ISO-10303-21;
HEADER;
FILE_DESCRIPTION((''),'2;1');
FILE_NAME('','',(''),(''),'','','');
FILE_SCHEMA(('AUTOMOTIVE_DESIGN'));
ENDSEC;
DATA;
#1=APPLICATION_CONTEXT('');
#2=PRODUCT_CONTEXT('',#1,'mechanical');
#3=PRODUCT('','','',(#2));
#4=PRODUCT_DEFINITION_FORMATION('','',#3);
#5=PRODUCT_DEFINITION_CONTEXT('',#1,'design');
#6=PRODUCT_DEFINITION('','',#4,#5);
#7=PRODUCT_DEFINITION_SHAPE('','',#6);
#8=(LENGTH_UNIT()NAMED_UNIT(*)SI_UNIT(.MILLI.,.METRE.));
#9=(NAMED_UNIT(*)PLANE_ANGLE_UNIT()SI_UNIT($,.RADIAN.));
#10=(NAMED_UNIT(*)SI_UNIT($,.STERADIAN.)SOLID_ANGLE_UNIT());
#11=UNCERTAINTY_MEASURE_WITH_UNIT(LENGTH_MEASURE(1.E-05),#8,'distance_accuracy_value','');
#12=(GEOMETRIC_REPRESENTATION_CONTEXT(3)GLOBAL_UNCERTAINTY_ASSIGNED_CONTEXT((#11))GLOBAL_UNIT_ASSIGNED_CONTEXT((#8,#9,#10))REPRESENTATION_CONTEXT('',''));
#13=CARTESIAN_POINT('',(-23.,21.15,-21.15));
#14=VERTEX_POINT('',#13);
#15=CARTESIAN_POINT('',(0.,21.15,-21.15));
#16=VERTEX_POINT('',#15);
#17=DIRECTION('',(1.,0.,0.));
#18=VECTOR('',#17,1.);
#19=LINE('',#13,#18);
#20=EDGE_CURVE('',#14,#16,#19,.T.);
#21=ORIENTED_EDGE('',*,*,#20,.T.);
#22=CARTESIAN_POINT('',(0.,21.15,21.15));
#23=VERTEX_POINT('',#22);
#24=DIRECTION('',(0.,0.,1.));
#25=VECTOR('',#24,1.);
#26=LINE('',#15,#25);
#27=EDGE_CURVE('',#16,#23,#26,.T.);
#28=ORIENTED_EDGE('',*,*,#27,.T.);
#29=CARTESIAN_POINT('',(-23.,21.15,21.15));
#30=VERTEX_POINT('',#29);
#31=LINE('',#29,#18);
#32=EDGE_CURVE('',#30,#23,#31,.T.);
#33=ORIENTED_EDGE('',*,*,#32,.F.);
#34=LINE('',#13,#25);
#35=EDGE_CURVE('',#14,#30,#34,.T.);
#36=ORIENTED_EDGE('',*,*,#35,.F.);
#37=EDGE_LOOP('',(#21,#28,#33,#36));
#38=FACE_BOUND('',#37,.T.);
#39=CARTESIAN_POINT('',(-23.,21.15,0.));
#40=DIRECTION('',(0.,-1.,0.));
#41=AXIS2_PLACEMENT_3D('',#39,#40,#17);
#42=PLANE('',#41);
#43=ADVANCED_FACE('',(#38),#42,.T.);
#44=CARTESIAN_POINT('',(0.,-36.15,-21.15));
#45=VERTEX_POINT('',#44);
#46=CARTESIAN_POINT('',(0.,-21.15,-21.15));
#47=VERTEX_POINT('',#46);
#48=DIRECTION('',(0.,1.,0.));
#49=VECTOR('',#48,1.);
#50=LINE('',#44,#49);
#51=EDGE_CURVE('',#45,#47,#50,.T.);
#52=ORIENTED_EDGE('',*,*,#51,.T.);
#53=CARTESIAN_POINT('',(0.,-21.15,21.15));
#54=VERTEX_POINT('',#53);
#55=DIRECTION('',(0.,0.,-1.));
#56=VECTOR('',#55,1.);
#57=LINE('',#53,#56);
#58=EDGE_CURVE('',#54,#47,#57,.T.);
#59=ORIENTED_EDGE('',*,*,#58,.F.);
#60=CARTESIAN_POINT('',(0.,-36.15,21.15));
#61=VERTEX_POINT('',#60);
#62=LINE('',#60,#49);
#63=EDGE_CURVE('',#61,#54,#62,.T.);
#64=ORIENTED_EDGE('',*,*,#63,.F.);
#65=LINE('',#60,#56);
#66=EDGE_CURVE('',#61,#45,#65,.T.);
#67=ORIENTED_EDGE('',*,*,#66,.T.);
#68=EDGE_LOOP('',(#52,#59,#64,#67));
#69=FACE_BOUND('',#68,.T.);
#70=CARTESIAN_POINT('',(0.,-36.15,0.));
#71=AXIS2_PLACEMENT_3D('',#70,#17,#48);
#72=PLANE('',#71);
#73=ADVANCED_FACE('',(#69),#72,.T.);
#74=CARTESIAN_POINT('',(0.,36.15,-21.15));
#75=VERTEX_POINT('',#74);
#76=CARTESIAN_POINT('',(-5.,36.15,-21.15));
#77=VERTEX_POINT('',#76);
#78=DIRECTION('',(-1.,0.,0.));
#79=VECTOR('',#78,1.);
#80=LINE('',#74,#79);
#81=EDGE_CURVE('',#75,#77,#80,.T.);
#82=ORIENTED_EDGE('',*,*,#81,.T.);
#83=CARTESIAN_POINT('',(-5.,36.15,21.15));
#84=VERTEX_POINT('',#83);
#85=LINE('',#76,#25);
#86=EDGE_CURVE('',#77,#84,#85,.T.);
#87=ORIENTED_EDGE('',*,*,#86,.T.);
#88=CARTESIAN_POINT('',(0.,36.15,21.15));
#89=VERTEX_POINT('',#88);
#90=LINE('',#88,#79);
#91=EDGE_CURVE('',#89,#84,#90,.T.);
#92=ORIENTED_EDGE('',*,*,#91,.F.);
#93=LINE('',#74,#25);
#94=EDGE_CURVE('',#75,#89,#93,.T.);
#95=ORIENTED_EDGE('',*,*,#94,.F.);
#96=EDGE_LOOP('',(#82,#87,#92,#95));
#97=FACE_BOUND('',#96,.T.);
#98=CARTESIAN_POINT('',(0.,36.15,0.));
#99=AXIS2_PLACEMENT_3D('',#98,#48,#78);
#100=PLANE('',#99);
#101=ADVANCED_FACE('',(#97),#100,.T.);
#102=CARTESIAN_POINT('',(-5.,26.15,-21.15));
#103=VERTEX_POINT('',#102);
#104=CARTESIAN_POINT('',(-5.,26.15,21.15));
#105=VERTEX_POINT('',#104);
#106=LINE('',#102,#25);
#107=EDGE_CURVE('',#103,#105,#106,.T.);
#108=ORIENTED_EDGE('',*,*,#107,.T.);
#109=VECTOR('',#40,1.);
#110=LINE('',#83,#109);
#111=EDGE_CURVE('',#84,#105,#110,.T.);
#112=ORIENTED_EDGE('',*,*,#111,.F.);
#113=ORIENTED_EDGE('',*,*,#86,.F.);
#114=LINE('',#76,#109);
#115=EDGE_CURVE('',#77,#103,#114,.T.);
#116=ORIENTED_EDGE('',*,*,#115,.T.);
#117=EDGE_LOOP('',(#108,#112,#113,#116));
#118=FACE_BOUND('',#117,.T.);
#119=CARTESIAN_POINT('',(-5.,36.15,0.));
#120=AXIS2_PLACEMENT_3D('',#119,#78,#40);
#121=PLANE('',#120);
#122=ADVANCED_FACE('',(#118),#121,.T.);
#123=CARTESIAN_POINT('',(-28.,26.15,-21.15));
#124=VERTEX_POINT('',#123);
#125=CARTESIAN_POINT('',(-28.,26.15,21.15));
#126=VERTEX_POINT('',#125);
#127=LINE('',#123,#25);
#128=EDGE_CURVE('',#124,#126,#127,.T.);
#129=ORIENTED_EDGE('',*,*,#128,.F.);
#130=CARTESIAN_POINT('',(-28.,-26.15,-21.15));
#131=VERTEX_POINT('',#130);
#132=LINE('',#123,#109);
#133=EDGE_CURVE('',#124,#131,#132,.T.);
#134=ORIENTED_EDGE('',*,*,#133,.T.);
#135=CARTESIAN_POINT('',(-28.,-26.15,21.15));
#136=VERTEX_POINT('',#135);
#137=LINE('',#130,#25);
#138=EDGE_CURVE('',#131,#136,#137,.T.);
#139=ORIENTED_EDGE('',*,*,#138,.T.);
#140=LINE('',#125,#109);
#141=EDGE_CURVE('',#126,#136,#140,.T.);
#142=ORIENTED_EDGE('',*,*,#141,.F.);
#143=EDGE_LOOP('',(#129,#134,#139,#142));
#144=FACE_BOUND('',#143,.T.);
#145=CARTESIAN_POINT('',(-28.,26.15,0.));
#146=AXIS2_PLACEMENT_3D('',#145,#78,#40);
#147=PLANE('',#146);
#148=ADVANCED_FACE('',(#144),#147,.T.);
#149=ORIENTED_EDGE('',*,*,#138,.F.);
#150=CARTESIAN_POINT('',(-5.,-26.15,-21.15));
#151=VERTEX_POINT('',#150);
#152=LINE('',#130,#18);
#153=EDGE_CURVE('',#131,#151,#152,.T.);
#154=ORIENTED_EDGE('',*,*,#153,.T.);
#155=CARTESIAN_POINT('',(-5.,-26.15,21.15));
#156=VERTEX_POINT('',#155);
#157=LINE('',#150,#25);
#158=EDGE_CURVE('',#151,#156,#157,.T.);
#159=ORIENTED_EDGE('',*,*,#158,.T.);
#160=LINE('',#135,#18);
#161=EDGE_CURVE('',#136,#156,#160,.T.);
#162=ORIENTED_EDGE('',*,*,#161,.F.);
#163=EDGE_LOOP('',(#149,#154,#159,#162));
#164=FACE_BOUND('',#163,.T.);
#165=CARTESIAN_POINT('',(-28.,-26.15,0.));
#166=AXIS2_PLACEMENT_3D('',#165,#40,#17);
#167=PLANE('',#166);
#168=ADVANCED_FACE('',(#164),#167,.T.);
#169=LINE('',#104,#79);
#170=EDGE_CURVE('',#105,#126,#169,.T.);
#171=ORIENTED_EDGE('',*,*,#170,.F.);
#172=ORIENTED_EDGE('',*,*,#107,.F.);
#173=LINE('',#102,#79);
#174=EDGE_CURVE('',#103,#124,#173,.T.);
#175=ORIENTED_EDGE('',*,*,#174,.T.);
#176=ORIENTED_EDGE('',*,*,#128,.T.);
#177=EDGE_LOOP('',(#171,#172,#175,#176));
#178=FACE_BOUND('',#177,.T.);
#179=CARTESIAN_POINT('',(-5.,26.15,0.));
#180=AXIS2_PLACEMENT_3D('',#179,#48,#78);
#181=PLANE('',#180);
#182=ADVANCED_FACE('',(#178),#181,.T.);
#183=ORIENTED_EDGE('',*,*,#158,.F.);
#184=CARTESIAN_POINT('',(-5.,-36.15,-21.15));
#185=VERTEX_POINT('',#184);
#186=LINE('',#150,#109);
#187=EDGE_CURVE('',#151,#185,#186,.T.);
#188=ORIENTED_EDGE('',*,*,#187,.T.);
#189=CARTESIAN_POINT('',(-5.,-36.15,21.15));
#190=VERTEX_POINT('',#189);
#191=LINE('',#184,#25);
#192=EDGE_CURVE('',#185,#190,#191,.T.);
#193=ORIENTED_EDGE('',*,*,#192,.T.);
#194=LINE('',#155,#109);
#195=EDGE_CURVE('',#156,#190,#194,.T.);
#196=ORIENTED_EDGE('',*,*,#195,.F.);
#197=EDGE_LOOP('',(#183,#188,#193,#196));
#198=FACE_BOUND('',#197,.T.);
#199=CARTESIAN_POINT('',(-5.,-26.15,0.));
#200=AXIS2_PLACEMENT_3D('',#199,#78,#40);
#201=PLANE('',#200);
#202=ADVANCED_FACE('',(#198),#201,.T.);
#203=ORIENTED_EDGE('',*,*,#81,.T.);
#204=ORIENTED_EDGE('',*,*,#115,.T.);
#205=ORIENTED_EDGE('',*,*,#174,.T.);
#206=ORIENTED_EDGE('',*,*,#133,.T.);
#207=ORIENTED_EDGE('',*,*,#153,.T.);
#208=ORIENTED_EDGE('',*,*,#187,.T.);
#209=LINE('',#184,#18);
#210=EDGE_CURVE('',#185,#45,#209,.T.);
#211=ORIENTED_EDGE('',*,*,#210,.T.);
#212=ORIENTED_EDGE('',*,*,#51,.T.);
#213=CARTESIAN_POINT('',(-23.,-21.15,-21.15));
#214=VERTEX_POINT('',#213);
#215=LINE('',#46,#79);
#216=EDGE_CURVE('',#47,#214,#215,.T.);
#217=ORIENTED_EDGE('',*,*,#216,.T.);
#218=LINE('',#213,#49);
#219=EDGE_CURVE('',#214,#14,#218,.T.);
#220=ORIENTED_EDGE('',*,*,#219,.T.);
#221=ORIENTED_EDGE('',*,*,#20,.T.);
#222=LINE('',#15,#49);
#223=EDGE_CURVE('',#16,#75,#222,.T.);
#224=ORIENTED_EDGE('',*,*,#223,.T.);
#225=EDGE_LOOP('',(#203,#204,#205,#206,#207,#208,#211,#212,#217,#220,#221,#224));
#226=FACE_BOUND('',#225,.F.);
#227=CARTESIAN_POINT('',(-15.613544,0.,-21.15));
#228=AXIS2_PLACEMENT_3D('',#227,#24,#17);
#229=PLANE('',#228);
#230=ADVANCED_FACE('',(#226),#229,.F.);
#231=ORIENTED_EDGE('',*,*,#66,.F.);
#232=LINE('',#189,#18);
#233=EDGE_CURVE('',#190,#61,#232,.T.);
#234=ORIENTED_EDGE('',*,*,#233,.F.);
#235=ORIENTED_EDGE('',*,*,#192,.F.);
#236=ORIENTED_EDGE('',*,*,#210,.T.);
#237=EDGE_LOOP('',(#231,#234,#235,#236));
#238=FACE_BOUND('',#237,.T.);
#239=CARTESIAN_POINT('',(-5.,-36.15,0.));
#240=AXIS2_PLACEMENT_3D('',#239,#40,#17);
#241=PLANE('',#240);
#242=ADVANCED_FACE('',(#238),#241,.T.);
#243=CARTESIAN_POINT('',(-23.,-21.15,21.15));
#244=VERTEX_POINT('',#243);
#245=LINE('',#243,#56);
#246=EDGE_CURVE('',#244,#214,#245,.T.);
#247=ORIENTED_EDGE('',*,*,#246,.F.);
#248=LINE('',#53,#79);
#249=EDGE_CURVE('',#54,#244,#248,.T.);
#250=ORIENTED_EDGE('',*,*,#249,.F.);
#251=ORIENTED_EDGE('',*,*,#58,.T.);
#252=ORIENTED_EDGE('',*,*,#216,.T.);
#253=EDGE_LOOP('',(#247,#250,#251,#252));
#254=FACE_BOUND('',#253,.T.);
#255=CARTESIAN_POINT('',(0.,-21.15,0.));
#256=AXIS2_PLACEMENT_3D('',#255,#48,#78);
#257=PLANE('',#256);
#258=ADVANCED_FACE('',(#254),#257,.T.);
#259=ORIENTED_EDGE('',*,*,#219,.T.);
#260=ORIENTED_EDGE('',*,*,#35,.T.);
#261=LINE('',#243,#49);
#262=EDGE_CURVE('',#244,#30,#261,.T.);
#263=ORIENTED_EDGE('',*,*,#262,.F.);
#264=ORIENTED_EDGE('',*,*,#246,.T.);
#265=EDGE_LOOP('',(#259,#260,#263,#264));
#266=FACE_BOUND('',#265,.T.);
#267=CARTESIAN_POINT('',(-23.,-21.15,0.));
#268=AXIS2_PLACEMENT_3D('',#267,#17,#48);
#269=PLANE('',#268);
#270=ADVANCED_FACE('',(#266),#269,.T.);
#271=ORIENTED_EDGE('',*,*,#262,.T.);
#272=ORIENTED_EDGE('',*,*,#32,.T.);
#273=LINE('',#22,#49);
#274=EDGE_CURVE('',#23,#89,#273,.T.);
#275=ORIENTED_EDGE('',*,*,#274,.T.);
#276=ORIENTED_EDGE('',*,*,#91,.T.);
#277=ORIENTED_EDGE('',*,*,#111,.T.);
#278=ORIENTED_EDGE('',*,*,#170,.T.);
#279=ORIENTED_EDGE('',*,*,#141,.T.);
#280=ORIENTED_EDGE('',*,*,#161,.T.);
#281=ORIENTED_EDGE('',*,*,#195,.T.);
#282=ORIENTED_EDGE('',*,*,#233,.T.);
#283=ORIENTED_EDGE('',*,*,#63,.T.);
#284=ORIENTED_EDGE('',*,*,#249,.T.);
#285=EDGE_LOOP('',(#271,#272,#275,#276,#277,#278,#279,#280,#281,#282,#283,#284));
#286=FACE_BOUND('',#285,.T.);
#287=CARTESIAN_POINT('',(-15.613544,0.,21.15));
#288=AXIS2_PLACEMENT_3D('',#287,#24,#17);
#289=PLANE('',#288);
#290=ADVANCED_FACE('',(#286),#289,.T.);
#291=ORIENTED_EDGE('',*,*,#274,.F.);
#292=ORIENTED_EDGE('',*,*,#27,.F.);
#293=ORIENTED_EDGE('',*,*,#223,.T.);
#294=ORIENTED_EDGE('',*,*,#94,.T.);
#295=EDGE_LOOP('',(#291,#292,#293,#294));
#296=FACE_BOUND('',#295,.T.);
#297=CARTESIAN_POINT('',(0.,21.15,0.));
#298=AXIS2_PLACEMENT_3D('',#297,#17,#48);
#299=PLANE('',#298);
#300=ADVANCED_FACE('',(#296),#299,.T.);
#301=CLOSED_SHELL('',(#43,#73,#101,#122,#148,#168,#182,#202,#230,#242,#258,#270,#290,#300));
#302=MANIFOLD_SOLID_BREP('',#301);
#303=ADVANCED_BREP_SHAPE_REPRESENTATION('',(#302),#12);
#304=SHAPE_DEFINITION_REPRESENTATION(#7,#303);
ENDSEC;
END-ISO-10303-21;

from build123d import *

# Parameters (mm, degrees)
F1_DEPTH = 21.15


with BuildPart() as f1:
    # F0 (on Top) → F1 (new body, symmetric)
    with BuildSketch(Plane.XY):
        Polygon((-23, -21.15), (-23, 0), (-23, 21.15), (0, 21.15), (0, 36.15), (-5, 36.15), (-5, 26.15), (-28, 26.15), (-28, 0), (-28, -26.15), (-5, -26.15), (-5, -36.15), (0, -36.15), (0, -21.15), align=None)
    extrude(amount=F1_DEPTH, both=True)


solid = f1.part
